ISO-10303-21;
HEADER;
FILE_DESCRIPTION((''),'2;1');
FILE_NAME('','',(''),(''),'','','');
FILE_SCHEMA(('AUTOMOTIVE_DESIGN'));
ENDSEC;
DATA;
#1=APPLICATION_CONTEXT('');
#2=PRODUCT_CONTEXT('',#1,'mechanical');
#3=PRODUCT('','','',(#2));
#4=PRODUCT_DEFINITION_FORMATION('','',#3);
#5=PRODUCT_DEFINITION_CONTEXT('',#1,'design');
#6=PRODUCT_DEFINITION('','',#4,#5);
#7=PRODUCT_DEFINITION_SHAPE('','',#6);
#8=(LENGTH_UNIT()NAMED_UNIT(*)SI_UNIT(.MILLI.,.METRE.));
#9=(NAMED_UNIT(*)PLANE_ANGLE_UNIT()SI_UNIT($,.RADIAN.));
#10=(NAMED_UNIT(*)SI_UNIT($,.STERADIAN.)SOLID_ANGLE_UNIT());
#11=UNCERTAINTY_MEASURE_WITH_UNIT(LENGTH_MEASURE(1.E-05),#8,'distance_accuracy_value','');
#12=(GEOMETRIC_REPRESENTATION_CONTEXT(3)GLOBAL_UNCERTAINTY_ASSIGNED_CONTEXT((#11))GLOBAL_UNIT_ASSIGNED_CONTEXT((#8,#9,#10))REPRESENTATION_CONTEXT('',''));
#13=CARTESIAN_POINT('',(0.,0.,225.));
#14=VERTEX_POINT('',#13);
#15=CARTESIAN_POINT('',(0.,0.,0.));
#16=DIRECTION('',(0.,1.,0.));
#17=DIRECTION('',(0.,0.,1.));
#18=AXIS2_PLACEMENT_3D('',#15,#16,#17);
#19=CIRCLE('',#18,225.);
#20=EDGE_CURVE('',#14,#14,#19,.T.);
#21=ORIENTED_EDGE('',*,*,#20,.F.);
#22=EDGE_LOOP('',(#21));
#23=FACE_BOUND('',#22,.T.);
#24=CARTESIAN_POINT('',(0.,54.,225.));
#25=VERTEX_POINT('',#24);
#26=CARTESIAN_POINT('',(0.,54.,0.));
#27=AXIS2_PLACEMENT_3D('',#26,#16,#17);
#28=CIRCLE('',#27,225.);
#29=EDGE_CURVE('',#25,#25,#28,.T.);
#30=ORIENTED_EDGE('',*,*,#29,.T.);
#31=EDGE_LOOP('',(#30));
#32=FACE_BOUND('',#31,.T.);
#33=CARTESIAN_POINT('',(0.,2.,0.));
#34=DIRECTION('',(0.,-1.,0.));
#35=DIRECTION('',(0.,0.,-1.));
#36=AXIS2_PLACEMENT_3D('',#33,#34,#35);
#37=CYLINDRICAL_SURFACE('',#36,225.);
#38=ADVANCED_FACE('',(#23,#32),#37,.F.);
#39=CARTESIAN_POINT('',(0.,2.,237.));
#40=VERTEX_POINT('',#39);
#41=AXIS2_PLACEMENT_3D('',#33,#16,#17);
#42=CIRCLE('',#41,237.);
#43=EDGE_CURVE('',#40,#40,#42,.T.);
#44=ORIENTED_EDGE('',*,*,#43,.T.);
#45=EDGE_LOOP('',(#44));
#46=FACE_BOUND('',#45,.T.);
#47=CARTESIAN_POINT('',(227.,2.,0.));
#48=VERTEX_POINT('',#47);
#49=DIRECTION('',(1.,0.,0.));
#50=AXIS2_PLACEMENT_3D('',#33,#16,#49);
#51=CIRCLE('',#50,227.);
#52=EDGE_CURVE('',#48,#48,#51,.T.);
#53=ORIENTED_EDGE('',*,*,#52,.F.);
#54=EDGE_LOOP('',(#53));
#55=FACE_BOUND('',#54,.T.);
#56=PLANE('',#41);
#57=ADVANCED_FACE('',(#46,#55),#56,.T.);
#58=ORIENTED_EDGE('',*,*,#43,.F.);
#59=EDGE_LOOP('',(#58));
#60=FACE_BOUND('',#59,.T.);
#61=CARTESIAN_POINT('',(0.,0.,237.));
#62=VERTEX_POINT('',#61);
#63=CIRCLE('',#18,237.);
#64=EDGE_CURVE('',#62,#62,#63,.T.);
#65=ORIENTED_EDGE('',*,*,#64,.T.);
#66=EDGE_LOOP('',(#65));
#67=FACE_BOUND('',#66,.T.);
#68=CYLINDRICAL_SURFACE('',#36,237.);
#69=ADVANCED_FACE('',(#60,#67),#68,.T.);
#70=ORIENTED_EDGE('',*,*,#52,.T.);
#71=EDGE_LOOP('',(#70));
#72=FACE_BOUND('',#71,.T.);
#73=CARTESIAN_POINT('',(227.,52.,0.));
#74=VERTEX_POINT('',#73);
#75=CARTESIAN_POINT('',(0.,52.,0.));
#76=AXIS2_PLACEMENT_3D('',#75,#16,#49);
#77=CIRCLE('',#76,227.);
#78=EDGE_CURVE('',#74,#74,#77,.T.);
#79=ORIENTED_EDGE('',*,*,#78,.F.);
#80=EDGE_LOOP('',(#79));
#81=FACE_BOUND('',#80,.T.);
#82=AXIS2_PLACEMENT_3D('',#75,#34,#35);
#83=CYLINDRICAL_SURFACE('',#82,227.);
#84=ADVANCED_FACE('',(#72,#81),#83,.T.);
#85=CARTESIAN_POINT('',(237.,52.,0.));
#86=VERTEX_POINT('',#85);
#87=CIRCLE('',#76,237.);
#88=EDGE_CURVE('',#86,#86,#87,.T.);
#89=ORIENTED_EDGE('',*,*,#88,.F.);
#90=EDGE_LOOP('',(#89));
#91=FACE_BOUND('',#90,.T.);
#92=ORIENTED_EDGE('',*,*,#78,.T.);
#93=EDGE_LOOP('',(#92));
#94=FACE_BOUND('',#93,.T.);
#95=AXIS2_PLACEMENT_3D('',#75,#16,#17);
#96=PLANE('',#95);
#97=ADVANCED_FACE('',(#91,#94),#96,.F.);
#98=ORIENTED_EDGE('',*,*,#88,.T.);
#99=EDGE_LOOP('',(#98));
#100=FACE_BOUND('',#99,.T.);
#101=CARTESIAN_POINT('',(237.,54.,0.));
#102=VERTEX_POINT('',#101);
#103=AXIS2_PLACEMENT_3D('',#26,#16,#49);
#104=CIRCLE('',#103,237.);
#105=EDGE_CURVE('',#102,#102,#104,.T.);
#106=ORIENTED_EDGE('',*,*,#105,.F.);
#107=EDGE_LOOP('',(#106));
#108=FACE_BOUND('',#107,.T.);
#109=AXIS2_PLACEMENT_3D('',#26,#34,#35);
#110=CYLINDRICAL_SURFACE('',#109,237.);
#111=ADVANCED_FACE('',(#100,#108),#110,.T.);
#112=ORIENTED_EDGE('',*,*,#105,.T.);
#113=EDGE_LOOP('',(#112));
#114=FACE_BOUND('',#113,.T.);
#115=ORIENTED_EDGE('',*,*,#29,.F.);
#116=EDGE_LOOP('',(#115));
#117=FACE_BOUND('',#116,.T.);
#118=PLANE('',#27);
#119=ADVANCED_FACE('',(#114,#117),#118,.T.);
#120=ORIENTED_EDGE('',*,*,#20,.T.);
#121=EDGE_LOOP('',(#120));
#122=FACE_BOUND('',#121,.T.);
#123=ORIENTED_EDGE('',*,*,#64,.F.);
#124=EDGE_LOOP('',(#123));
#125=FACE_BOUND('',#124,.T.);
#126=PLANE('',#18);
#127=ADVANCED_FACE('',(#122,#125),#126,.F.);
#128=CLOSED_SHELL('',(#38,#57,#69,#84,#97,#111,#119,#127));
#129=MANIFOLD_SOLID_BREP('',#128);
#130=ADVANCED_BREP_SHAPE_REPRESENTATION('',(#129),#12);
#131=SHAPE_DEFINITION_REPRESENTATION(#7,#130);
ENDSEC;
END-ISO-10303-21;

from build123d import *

# Parameters (mm, degrees)
SKETCH1_R           = 237
SKETCH1_R_2         = 225
BOSS_EXTRUDE1_DEPTH = 2
SKETCH2_R           = 227
SKETCH2_R_2         = 225
EXTRUDE_THIN1_DEPTH = 50
SKETCH3_R           = 237
SKETCH3_R_2         = 225
EXTRUDE_THIN2_DEPTH = 2


with BuildPart() as part:
    # Sketch1 → Boss-Extrude1 (new body)
    with BuildSketch(Plane(origin=(0, 0, 0), x_dir=(1, 0, 0), z_dir=(0, 1, 0))):
        with Locations(Location((0, 0, 0), (0, 0, 270))):
            Circle(SKETCH1_R)
        with Locations(Location((0, 0, 0), (0, 0, 270))):
            Circle(SKETCH1_R_2, mode=Mode.SUBTRACT)
    extrude(amount=BOSS_EXTRUDE1_DEPTH)

    # Sketch2 → Extrude-Thin1 (add)
    with BuildSketch(Plane(origin=(0, 2, 0), x_dir=(1, 0, 0), z_dir=(0, 1, 0))):
        Circle(SKETCH2_R)
        Circle(SKETCH2_R_2, mode=Mode.SUBTRACT)
    extrude(amount=EXTRUDE_THIN1_DEPTH)

    # Sketch3 → Extrude-Thin2 (add)
    with BuildSketch(Plane(origin=(0, 52, 0), x_dir=(1, 0, 0), z_dir=(0, 1, 0))):
        Circle(SKETCH3_R)
        Circle(SKETCH3_R_2, mode=Mode.SUBTRACT)
    extrude(amount=EXTRUDE_THIN2_DEPTH)


solid = part.part
